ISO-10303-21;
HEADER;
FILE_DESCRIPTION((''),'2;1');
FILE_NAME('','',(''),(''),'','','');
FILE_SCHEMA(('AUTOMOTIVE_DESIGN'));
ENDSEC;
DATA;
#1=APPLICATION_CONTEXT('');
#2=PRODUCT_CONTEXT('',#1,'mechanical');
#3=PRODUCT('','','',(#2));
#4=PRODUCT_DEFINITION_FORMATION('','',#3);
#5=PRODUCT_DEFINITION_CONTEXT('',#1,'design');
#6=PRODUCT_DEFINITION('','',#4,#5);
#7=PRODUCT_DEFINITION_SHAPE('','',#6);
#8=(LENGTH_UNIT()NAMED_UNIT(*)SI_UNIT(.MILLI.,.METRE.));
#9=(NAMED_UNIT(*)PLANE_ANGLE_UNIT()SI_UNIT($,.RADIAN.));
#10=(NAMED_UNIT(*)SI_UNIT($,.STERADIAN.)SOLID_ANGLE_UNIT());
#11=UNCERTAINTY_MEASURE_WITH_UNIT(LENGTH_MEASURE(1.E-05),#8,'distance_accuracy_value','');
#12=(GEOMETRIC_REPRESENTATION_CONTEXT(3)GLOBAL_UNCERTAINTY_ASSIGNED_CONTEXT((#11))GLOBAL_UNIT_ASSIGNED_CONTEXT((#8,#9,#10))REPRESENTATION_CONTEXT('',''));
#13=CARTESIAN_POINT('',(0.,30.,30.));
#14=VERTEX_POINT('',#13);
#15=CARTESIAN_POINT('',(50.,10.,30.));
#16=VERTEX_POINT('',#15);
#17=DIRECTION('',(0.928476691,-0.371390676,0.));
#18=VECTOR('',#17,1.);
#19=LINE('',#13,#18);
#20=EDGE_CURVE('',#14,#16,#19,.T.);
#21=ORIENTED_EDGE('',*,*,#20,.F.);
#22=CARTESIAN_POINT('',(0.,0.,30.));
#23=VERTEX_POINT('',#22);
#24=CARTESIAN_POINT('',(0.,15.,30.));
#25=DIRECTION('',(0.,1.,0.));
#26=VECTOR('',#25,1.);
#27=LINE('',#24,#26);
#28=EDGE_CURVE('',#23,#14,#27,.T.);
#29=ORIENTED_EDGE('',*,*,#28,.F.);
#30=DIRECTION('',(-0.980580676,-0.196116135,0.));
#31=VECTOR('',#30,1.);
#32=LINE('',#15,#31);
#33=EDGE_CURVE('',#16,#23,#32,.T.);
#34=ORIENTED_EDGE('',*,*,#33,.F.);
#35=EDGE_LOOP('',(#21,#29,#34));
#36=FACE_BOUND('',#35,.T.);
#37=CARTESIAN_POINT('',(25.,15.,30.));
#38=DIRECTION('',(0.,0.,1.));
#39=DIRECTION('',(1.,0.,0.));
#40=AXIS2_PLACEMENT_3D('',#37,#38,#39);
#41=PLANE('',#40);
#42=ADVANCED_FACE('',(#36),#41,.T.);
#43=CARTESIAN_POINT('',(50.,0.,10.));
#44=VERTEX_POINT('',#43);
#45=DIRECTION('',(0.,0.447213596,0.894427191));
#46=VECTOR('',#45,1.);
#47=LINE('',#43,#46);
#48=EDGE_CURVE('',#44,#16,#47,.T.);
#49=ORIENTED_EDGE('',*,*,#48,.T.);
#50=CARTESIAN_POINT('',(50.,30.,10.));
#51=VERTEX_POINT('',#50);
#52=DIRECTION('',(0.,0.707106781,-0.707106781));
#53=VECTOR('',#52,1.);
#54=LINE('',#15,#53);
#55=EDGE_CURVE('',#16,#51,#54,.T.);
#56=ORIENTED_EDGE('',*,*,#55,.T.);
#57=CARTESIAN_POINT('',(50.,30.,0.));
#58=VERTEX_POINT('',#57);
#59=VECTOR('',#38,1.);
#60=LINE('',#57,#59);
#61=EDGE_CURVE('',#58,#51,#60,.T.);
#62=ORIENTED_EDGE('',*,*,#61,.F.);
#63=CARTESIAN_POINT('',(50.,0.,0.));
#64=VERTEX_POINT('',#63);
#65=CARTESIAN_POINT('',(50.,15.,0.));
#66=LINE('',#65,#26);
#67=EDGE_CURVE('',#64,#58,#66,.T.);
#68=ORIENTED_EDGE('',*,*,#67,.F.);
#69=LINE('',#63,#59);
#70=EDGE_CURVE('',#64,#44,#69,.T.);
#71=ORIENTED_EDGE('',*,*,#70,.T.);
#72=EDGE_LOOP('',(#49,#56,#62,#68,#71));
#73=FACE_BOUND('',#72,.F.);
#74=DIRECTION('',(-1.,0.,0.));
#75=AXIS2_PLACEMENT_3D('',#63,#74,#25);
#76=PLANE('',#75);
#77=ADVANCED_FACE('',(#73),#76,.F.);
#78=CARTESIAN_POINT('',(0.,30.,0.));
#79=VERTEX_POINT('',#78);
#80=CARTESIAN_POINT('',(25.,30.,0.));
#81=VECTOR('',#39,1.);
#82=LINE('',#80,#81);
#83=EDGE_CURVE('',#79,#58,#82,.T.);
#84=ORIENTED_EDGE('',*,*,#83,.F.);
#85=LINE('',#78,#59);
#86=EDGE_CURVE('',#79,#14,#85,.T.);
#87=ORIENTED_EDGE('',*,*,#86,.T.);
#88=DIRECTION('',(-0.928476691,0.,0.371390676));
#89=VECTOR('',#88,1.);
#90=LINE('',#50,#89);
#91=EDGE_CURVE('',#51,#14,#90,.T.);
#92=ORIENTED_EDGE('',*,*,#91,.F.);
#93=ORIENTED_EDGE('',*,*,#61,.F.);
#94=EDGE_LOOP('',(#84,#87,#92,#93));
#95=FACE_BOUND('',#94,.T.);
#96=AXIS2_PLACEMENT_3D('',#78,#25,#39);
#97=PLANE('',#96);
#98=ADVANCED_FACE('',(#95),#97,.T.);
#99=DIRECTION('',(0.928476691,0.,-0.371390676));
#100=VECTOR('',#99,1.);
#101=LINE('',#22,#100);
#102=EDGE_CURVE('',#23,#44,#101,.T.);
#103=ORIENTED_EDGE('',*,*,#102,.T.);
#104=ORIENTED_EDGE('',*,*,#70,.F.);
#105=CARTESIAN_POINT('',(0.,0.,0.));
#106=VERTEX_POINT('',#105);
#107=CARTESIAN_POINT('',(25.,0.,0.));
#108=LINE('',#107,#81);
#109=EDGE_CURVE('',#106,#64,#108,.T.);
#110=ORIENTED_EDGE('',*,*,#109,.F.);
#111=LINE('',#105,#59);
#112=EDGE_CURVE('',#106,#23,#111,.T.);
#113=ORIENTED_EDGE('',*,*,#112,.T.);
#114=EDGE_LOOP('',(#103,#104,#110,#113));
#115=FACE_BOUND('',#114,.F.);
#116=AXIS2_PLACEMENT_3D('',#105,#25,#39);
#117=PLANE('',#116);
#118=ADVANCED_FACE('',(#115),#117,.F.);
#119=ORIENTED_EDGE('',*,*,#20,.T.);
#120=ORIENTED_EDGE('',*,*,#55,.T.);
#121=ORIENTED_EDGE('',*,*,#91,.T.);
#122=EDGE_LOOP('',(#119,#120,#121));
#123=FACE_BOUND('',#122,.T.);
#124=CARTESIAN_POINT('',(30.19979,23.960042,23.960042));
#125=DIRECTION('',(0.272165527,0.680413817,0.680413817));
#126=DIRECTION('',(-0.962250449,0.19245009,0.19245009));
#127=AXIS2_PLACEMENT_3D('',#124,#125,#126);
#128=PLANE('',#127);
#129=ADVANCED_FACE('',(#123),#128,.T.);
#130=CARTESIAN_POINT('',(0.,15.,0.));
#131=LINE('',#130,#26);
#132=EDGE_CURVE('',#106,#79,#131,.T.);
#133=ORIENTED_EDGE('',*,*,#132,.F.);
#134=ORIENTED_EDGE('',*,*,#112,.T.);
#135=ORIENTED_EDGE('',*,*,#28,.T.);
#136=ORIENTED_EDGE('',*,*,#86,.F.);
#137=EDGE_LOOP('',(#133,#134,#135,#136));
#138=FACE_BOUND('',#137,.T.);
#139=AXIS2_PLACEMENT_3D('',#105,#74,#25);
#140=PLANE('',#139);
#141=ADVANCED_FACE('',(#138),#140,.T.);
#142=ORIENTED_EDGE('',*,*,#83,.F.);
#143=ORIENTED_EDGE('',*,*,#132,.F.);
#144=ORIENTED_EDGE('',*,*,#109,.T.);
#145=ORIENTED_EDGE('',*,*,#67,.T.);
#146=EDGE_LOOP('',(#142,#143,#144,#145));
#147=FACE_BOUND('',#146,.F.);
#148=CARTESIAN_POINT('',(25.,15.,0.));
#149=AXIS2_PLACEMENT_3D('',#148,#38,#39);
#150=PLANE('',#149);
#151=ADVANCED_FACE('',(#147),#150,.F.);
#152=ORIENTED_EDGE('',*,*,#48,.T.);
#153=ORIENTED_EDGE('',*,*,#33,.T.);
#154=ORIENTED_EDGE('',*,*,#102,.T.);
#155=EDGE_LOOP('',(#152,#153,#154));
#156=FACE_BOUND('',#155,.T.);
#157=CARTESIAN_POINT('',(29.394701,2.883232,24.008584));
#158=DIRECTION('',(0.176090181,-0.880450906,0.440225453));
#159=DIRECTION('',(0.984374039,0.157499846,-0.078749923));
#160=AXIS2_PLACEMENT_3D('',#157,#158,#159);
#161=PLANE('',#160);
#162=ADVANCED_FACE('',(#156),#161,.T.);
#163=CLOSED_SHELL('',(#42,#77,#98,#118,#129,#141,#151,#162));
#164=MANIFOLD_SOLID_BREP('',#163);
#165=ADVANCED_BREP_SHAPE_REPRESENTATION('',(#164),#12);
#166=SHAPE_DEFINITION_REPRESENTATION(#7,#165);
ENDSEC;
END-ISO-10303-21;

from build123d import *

# Parameters (mm, degrees)
F0_W     = 50
F0_H     = 30
F1_DEPTH = 30
F6_DEPTH = 8.8055090633
F8_DEPTH = 13.6092763488


with BuildPart() as f1:
    # F0 (on Top) → F1 (new body)
    with BuildSketch(Plane.XY):
        with Locations((25, 15)):
            Rectangle(F0_W, F0_H)
    extrude(amount=F1_DEPTH)

    # F5 (on 3pt) → F6 (cut, through all)
    with BuildSketch(Plane(origin=(2.3255813953, -11.6279069767, 5.8139534884), x_dir=(0.9843740387, 0.1574998462, -0.0787499231), z_dir=(0.1760901813, -0.8804509063, 0.4402254532))):
        Polygon((48.4312027039, 8.94427191), (48.4312027039, 31.304951685), (-2.3624976929, 26.83281573), align=None)
    extrude(amount=F6_DEPTH, mode=Mode.SUBTRACT)

    # F7 (on 3pt) → F8 (cut, through all)
    with BuildSketch(Plane(origin=(11.1111111111, 27.7777777778, 27.7777777778), x_dir=(-0.9622504486, 0.1924500897, 0.1924500897), z_dir=(0.272165527, 0.6804138174, 0.6804138174))):
        Polygon((-40.4145188433, -14.1421356237), (11.5470053838, 0), (-40.4145188433, 14.1421356237), align=None)
    extrude(amount=F8_DEPTH, mode=Mode.SUBTRACT)


solid = f1.part
